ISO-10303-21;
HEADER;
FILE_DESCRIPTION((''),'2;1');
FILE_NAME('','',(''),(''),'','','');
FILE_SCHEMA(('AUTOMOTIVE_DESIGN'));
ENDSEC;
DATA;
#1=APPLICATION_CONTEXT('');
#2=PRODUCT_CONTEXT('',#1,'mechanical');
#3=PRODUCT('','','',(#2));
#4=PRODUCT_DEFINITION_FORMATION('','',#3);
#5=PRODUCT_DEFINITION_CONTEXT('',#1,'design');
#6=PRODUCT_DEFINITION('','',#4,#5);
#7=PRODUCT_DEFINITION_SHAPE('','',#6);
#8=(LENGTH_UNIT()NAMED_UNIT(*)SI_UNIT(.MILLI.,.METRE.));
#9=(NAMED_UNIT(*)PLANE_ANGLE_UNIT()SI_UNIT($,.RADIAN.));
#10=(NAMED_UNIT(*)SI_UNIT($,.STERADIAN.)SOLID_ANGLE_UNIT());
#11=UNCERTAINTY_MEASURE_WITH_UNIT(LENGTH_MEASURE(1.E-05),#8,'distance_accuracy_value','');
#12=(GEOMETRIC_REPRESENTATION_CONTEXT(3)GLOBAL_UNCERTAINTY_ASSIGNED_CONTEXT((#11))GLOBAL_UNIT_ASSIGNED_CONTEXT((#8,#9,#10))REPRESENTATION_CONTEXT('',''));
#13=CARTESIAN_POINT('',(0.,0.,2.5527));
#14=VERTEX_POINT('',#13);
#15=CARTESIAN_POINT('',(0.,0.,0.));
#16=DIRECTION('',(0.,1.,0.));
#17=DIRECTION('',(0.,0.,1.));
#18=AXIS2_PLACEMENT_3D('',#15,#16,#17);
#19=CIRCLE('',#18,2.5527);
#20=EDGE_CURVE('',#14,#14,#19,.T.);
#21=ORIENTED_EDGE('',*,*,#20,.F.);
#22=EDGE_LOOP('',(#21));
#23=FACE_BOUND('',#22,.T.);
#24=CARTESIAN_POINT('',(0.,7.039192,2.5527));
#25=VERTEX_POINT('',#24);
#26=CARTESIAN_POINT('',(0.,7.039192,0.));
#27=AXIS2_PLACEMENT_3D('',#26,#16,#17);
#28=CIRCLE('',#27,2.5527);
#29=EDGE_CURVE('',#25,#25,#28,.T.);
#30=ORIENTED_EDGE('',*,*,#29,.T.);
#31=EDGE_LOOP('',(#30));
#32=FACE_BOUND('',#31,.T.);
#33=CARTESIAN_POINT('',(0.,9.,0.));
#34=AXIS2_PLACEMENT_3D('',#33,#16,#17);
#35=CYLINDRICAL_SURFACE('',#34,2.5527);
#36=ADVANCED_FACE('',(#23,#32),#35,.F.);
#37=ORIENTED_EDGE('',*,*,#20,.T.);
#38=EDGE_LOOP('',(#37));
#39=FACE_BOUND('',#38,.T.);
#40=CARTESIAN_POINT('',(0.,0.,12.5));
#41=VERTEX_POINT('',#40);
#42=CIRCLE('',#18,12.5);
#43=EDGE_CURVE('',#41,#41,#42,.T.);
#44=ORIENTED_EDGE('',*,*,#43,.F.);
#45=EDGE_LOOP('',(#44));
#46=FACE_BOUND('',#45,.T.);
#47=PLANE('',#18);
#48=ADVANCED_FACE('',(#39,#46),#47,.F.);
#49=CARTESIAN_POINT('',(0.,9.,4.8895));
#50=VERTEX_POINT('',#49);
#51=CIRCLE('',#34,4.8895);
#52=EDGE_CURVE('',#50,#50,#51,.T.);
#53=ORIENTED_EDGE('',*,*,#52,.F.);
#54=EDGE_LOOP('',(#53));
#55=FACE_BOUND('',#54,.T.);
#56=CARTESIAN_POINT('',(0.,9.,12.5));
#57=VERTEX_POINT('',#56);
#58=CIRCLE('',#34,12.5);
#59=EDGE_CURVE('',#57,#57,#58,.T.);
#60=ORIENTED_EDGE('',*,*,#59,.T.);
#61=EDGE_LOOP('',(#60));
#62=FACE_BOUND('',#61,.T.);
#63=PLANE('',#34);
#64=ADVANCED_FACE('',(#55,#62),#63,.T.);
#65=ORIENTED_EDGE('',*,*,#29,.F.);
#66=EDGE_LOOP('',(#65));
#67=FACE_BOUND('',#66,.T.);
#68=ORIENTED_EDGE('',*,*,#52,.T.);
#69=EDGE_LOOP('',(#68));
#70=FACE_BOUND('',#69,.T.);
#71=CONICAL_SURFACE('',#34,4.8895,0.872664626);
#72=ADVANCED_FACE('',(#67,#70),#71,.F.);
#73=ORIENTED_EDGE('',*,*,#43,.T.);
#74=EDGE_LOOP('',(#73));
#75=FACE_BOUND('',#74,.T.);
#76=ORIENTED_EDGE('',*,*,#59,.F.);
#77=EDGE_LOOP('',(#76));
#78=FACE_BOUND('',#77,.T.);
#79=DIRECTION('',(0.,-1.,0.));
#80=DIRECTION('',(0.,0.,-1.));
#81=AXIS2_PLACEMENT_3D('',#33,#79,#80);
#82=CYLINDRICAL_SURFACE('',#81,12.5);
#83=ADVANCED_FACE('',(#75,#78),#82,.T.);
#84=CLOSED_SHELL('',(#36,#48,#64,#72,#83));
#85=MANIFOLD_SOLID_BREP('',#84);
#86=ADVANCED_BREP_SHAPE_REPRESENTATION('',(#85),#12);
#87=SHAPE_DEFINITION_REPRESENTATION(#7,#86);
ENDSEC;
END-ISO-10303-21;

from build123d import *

# Parameters (mm, degrees)
SKETCH1_R                                          = 12.5
SKETCH1_R_2                                        = 2
BOSS_EXTRUDE1_DEPTH                                = 9
CSK_FOR_10_FLAT_HEAD_MACHINE_SCREW_100_D           = 5.1054
CSK_FOR_10_FLAT_HEAD_MACHINE_SCREW_100_CSINK_D     = 9.779
CSK_FOR_10_FLAT_HEAD_MACHINE_SCREW_100_CSINK_ANGLE = 100


with BuildPart() as part:
    # Sketch1 → Boss-Extrude1 (new body)
    with BuildSketch(Plane(origin=(0, 0, 0), x_dir=(1, 0, 0), z_dir=(0, 1, 0))):
        with Locations(Location((0, 0, 0), (0, 0, 270))):
            Circle(SKETCH1_R)
        with Locations(Location((0, 0, 0), (0, 0, 270))):
            Circle(SKETCH1_R_2, mode=Mode.SUBTRACT)
    extrude(amount=BOSS_EXTRUDE1_DEPTH)

    # CSK for #10 Flat Head Machine Screw (100)1 (through all)
    with Locations(Plane(origin=(0, 9, 0), x_dir=(1, 0, 0), z_dir=(0, 1, 0))):
        with Locations((0, 0)):
            CounterSinkHole(CSK_FOR_10_FLAT_HEAD_MACHINE_SCREW_100_D / 2, CSK_FOR_10_FLAT_HEAD_MACHINE_SCREW_100_CSINK_D / 2, counter_sink_angle=CSK_FOR_10_FLAT_HEAD_MACHINE_SCREW_100_CSINK_ANGLE)


solid = part.part
